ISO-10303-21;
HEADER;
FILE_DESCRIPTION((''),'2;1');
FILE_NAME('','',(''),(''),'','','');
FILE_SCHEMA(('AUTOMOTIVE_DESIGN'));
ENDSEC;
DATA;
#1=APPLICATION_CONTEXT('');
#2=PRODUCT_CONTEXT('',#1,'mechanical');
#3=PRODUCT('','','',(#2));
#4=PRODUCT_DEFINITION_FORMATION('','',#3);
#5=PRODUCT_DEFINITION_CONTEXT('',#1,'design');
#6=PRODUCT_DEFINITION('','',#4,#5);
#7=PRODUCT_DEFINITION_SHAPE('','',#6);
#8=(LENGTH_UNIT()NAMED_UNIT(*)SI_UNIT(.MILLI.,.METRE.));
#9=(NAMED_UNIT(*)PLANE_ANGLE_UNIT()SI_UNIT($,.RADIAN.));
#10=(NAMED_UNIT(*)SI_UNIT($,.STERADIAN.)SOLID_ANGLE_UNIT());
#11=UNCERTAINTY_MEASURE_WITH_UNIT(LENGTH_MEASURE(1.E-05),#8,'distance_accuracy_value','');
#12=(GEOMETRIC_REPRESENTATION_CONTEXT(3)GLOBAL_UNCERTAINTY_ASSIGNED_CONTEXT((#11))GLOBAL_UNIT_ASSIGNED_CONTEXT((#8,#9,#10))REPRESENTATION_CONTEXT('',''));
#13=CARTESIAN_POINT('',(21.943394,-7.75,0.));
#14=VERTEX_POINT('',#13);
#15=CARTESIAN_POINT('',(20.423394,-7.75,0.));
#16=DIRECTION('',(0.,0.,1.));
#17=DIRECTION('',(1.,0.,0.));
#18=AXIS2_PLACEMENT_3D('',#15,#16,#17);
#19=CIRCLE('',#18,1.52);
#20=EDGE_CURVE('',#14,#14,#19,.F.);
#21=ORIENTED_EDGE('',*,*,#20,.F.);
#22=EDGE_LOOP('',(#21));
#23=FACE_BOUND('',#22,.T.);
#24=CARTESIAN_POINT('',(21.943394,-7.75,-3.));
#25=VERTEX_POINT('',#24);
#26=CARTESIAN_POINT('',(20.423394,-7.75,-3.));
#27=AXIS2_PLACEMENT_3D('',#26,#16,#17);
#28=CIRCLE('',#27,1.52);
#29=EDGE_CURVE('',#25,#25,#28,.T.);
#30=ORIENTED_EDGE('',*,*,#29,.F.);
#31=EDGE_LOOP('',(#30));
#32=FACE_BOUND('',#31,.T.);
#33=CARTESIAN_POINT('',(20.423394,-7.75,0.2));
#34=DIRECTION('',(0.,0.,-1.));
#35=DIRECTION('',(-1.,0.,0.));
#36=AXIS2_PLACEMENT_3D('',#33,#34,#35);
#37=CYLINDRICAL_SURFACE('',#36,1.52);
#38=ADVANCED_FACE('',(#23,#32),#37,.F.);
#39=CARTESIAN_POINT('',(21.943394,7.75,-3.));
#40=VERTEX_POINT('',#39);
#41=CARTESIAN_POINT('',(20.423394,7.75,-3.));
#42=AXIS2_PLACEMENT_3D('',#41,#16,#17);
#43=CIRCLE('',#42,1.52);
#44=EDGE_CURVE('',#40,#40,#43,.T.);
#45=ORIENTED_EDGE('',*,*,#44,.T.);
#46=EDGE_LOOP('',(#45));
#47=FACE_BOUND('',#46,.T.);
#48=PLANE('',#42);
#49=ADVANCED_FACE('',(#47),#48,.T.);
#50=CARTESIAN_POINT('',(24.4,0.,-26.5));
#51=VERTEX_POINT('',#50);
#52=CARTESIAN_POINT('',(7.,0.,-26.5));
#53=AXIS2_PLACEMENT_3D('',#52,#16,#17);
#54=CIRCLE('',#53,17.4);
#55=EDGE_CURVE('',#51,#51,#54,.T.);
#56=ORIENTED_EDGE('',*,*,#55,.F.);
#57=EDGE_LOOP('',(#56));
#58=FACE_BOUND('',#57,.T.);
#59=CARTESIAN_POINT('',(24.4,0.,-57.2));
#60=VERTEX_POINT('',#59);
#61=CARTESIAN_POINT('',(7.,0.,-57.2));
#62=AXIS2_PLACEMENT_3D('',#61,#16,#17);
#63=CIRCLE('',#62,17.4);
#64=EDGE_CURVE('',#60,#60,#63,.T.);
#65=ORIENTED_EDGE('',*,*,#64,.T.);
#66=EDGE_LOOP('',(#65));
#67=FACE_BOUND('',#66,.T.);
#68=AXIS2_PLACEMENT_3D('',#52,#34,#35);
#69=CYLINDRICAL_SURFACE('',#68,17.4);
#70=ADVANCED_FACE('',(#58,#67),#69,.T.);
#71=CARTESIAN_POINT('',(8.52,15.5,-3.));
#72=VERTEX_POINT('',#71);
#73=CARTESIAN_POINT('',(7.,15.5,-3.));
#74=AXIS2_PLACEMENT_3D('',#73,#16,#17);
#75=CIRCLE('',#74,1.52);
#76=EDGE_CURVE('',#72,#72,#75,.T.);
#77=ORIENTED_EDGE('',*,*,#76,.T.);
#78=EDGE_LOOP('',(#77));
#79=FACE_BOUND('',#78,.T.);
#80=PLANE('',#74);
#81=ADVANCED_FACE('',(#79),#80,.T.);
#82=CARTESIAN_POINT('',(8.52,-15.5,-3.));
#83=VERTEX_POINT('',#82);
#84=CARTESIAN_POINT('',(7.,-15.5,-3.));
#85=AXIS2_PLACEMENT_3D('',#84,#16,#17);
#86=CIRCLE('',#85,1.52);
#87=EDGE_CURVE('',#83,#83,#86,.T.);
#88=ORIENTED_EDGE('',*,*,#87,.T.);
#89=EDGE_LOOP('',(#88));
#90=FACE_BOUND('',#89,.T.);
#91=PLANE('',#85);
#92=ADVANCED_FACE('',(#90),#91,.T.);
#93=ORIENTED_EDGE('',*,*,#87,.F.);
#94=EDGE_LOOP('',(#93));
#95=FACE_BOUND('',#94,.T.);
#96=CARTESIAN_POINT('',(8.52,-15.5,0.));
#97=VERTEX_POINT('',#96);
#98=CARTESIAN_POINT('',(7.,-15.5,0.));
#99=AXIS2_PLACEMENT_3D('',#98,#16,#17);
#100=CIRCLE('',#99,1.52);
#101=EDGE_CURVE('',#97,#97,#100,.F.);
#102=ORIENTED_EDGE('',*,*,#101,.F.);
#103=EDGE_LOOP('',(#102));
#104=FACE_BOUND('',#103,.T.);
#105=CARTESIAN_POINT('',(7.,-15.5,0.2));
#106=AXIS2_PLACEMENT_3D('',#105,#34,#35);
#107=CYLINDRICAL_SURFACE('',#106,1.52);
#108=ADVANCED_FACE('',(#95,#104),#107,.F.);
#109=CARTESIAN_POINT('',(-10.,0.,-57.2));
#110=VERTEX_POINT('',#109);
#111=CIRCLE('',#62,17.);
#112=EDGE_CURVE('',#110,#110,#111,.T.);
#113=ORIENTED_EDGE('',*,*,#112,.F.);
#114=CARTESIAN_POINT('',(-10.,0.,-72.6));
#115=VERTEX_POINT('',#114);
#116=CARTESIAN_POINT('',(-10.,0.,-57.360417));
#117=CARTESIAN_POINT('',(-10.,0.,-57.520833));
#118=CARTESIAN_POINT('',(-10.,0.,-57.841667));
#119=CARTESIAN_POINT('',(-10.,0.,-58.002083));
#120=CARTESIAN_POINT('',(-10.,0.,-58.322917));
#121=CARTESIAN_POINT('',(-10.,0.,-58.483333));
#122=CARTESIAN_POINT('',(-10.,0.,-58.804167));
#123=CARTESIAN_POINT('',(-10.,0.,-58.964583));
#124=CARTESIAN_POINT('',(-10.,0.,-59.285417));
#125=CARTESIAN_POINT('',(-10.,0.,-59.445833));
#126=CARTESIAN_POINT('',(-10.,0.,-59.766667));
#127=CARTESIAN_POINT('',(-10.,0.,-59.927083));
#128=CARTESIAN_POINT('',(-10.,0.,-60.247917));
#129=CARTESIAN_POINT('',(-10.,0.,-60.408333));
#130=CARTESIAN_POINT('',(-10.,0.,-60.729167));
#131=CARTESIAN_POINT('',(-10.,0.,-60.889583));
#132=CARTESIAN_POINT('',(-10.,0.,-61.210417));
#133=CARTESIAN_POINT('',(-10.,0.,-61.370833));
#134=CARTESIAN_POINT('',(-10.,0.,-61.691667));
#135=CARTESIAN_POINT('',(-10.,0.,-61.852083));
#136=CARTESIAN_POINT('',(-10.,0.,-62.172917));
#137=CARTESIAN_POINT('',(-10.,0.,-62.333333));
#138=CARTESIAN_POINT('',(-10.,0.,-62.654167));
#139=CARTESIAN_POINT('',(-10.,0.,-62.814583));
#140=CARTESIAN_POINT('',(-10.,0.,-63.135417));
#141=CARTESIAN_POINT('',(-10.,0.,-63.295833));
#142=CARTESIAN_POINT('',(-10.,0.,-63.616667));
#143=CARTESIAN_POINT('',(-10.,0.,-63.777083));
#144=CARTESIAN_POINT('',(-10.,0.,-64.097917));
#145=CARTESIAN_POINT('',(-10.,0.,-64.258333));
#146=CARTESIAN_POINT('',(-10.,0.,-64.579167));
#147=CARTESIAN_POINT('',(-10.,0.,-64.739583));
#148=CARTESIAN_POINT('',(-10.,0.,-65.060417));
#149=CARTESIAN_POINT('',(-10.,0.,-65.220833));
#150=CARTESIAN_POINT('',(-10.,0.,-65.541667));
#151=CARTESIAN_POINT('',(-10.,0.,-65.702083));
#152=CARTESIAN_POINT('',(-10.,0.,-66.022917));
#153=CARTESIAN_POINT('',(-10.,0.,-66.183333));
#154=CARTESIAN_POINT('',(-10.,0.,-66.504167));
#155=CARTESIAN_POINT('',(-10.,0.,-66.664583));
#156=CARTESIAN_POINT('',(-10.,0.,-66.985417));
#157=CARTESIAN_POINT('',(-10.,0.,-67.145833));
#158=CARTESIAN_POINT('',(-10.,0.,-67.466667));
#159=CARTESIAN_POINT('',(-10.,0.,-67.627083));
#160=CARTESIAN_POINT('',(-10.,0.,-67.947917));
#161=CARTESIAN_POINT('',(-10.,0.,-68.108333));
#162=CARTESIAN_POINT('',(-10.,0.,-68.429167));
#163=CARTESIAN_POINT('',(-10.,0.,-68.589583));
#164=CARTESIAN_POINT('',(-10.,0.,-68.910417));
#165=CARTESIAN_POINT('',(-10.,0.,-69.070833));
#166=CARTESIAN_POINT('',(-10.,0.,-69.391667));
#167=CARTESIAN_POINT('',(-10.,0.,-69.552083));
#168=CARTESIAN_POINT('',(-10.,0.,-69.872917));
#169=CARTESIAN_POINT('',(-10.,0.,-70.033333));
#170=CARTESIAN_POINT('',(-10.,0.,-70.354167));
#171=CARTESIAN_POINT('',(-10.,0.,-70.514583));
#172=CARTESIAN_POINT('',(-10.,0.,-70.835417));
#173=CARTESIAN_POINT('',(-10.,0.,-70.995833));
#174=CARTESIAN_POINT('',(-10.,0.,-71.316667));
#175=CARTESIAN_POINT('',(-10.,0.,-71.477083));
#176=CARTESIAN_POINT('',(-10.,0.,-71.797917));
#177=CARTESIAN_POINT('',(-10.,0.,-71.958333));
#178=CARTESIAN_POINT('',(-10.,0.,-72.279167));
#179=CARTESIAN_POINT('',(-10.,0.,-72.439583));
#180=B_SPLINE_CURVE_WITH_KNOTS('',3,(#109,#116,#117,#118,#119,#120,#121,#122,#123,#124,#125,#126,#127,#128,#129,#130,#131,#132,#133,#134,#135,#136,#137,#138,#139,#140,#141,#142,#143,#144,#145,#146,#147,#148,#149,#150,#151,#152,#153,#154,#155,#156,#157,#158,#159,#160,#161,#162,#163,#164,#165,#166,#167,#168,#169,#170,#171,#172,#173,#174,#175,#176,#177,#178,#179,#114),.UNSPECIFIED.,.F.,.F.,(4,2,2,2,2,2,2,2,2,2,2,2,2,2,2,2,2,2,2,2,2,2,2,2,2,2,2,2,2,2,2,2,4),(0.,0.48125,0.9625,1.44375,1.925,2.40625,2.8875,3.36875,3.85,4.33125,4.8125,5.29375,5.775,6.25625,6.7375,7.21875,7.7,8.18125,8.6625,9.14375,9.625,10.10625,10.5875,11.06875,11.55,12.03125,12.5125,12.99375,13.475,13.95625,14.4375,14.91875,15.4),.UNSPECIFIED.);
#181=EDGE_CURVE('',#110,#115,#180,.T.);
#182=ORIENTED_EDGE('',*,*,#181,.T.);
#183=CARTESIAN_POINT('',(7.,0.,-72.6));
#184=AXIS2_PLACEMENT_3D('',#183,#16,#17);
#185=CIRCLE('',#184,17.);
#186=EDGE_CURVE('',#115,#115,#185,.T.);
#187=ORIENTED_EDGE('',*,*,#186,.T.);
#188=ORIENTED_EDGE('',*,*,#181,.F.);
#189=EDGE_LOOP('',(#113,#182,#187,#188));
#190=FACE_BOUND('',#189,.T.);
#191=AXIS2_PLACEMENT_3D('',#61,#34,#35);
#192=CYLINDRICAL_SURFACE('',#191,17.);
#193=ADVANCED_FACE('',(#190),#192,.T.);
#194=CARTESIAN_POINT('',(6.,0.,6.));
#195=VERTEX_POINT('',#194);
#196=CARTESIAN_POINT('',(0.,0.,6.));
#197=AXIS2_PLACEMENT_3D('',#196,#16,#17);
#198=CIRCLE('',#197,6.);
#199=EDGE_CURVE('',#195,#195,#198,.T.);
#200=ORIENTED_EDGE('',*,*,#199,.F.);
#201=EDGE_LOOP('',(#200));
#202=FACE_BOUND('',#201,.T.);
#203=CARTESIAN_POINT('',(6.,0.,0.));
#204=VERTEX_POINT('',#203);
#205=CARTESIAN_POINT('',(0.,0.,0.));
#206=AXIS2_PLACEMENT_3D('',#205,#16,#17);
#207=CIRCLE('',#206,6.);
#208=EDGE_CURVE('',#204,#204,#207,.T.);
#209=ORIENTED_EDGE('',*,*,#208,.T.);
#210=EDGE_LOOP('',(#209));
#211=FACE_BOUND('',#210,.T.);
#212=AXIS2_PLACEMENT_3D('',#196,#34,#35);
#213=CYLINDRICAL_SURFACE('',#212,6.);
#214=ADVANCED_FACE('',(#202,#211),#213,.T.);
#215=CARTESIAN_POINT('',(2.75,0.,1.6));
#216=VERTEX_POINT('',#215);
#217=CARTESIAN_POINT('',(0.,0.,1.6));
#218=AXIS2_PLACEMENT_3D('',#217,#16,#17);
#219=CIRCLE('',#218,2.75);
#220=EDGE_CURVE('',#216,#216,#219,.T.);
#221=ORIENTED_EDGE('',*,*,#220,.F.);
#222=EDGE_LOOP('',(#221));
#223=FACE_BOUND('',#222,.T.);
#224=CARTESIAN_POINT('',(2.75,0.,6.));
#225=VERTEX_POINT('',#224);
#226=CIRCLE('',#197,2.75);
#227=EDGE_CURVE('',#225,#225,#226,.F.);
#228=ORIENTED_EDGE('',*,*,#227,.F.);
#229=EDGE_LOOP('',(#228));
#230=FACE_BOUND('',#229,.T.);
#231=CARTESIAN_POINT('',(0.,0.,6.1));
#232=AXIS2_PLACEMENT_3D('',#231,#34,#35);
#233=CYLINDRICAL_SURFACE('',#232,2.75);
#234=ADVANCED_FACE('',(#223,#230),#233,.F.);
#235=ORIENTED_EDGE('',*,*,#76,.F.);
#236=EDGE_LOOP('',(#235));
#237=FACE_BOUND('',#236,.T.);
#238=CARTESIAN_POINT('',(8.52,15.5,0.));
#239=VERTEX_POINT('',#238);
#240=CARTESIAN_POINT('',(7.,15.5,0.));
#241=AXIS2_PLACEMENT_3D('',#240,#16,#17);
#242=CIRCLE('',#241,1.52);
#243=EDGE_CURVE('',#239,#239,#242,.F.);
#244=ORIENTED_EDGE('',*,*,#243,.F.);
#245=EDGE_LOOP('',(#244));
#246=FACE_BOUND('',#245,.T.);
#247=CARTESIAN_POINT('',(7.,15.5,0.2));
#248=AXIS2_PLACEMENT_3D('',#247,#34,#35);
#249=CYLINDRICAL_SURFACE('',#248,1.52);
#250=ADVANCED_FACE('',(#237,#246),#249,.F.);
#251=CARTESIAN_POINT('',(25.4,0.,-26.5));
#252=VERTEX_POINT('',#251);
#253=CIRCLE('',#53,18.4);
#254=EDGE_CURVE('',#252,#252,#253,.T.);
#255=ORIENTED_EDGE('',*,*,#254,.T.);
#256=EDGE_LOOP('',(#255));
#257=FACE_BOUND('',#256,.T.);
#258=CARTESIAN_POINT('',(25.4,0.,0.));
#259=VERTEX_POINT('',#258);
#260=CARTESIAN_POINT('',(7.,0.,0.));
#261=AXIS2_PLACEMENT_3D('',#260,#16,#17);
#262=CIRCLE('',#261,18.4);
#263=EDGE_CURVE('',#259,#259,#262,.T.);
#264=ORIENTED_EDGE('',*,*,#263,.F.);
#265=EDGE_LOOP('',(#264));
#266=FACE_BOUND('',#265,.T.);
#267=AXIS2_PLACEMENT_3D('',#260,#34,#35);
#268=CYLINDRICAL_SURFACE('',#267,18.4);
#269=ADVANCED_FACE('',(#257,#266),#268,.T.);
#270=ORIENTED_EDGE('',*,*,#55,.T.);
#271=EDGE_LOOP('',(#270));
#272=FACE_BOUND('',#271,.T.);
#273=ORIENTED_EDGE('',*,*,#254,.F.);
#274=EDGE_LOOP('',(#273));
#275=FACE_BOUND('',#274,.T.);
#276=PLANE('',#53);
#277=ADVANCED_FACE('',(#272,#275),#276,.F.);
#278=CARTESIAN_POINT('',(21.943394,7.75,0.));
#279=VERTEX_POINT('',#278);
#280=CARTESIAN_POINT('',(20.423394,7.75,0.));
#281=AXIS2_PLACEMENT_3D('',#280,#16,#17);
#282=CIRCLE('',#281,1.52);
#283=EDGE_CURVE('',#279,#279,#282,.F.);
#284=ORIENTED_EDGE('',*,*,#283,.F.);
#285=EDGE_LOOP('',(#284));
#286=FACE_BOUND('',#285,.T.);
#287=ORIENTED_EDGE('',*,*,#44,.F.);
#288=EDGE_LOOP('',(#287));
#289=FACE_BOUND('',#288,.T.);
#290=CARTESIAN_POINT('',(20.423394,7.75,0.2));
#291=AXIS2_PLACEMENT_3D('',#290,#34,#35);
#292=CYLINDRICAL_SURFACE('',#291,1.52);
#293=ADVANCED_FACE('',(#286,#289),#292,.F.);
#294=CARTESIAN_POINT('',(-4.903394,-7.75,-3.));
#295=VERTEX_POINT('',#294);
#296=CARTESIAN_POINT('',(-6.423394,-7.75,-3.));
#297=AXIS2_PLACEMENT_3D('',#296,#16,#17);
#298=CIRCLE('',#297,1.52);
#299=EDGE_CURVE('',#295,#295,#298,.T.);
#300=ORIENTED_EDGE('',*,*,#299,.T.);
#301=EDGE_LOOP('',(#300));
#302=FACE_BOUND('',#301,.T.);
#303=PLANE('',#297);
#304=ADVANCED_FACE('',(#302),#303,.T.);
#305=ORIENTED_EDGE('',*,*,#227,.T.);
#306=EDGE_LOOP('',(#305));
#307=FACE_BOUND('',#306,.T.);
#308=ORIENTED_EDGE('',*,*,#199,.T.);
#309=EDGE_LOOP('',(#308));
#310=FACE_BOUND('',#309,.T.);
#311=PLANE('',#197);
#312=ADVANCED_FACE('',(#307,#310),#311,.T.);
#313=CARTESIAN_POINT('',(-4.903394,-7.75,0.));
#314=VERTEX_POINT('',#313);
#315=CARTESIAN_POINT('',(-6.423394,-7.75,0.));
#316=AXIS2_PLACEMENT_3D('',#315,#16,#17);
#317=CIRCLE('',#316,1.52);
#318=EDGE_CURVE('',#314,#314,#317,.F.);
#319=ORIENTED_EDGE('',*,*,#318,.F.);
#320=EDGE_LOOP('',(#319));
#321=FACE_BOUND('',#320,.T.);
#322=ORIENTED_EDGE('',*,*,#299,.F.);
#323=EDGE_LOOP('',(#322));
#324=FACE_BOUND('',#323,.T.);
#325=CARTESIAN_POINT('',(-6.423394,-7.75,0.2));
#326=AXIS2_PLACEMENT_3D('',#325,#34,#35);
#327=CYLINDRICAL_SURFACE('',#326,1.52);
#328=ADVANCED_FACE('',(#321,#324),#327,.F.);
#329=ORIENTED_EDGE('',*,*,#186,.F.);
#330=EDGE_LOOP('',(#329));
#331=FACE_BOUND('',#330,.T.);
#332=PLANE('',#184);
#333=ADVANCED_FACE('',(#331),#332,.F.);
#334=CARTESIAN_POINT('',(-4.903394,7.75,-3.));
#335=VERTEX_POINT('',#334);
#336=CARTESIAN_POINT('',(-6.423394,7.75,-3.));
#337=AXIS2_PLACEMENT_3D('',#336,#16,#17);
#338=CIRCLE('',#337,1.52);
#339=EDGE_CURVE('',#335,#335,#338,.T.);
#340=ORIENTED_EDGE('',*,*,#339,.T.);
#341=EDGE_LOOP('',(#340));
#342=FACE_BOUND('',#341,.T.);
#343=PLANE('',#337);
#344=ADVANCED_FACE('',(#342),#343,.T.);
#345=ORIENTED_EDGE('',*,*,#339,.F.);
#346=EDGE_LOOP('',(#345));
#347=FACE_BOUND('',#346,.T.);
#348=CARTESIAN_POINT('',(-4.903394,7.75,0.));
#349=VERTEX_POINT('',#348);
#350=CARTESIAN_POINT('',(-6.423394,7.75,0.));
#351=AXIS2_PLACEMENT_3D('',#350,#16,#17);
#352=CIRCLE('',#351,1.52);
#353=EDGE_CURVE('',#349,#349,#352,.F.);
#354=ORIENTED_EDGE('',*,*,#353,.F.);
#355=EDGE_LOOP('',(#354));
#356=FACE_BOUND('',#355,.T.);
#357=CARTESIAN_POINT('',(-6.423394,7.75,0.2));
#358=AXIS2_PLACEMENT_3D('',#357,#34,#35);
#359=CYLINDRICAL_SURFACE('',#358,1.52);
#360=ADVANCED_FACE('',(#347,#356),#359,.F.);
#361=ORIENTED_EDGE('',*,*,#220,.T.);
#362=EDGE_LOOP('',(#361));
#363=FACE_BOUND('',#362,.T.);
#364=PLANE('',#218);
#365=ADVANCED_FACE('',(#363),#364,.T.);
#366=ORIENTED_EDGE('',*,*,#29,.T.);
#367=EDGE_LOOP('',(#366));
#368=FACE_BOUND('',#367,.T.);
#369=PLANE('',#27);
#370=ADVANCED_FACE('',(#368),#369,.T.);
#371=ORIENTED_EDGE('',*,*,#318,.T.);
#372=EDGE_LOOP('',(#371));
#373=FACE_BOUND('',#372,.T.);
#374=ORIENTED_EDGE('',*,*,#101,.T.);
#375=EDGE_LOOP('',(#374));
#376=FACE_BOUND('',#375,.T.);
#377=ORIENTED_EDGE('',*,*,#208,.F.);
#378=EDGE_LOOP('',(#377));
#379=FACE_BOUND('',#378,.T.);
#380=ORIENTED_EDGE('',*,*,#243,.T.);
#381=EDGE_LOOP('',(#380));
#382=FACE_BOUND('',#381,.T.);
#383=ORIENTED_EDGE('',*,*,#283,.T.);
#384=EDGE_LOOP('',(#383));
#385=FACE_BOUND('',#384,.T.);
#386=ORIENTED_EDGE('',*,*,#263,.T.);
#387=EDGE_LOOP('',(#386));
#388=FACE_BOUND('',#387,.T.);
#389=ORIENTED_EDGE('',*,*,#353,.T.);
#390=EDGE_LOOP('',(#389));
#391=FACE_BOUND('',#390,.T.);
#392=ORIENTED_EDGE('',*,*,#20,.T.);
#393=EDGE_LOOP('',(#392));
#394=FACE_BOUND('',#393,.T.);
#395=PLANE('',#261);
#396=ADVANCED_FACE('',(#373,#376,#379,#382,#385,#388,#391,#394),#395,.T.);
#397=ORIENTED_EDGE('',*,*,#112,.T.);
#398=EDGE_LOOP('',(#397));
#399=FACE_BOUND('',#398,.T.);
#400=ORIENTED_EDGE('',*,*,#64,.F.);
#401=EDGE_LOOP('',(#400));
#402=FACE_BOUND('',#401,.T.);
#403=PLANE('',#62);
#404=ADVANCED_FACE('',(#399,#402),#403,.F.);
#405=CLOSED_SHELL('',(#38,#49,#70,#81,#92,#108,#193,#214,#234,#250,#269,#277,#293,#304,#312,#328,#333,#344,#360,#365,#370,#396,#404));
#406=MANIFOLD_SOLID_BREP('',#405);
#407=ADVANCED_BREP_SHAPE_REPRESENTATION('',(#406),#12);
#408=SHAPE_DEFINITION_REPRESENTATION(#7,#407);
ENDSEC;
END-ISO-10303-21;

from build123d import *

# Parameters (mm, degrees)
F_01_START                                  = -57.2
S01_POLOLU_4755_BRUSHED_MOTOR_CAN_R         = 17.4
F_01_POLOLU_4755_BRUSHED_MOTOR_CAN_DEPTH    = 30.7
F_02_START                                  = -26.5
S02_37D_GEARBOX_BODY_R                      = 18.4
F_02_37D_GEARBOX_BODY_DEPTH                 = 26.5
F_03_START                                  = -3
S03_MANUFACTURER_SIX_M3_FACE_THREADS_R      = 1.52
F_03_MANUFACTURER_SIX_M3_FACE_THREADS_DEPTH = 3.2
S04_FRONT_LOCATING_BOSS_R                   = 6
F_04_FRONT_LOCATING_BOSS_DEPTH              = 6
F_05_START                                  = -72.6
S05_QUADRATURE_ENCODER_REAR_CAP_15_4_R      = 17
F_05_QUADRATURE_ENCODER_REAR_CAP_15_4_DEPTH = 15.4
F_06_START                                  = 1.6
S06_SHAFT_JOURNAL_AT_GEARBOX_OUTPUT_R       = 2.75
F_06_SHAFT_JOURNAL_AT_GEARBOX_OUTPUT_DEPTH  = 4.5


with BuildPart() as part:
    # S01 - Pololu 4755 brushed motor can → 01 - Pololu 4755 brushed motor can (new body)
    with BuildSketch(Plane.XY.offset(F_01_START)):
        with Locations((7, 0)):
            Circle(S01_POLOLU_4755_BRUSHED_MOTOR_CAN_R)
    extrude(amount=F_01_POLOLU_4755_BRUSHED_MOTOR_CAN_DEPTH)

    # S02 - 37D gearbox body → 02 - 37D gearbox body (add)
    with BuildSketch(Plane.XY.offset(F_02_START)):
        with Locations((7, 0)):
            Circle(S02_37D_GEARBOX_BODY_R)
    extrude(amount=F_02_37D_GEARBOX_BODY_DEPTH)

    # S03 - Manufacturer six M3 face threads → 03 - Manufacturer six M3 face threads (cut)
    with BuildSketch(Plane.XY.offset(F_03_START)):
        with Locations((20.423393759, 7.75)):
            Circle(S03_MANUFACTURER_SIX_M3_FACE_THREADS_R)
        with Locations((7, 15.5)):
            Circle(S03_MANUFACTURER_SIX_M3_FACE_THREADS_R)
        with Locations((-6.423393759, 7.75)):
            Circle(S03_MANUFACTURER_SIX_M3_FACE_THREADS_R)
        with Locations((-6.423393759, -7.75)):
            Circle(S03_MANUFACTURER_SIX_M3_FACE_THREADS_R)
        with Locations((7, -15.5)):
            Circle(S03_MANUFACTURER_SIX_M3_FACE_THREADS_R)
        with Locations((20.423393759, -7.75)):
            Circle(S03_MANUFACTURER_SIX_M3_FACE_THREADS_R)
    extrude(amount=F_03_MANUFACTURER_SIX_M3_FACE_THREADS_DEPTH, mode=Mode.SUBTRACT)

    # S04 - Front locating boss → 04 - Front locating boss (add)
    with BuildSketch(Plane.XY):
        Circle(S04_FRONT_LOCATING_BOSS_R)
    extrude(amount=F_04_FRONT_LOCATING_BOSS_DEPTH)

    # S05 - Quadrature encoder rear cap - 15.4 mm → 05 - Quadrature encoder rear cap - 15.4 mm (add)
    with BuildSketch(Plane.XY.offset(F_05_START)):
        with Locations(Location((7, 0, 0), (0, 0, 180))):
            Circle(S05_QUADRATURE_ENCODER_REAR_CAP_15_4_R)
    extrude(amount=F_05_QUADRATURE_ENCODER_REAR_CAP_15_4_DEPTH)

    # S06 - Shaft journal at gearbox output → 06 - Shaft journal at gearbox output (cut)
    with BuildSketch(Plane.XY.offset(F_06_START)):
        Circle(S06_SHAFT_JOURNAL_AT_GEARBOX_OUTPUT_R)
    extrude(amount=F_06_SHAFT_JOURNAL_AT_GEARBOX_OUTPUT_DEPTH, mode=Mode.SUBTRACT)


solid = part.part
